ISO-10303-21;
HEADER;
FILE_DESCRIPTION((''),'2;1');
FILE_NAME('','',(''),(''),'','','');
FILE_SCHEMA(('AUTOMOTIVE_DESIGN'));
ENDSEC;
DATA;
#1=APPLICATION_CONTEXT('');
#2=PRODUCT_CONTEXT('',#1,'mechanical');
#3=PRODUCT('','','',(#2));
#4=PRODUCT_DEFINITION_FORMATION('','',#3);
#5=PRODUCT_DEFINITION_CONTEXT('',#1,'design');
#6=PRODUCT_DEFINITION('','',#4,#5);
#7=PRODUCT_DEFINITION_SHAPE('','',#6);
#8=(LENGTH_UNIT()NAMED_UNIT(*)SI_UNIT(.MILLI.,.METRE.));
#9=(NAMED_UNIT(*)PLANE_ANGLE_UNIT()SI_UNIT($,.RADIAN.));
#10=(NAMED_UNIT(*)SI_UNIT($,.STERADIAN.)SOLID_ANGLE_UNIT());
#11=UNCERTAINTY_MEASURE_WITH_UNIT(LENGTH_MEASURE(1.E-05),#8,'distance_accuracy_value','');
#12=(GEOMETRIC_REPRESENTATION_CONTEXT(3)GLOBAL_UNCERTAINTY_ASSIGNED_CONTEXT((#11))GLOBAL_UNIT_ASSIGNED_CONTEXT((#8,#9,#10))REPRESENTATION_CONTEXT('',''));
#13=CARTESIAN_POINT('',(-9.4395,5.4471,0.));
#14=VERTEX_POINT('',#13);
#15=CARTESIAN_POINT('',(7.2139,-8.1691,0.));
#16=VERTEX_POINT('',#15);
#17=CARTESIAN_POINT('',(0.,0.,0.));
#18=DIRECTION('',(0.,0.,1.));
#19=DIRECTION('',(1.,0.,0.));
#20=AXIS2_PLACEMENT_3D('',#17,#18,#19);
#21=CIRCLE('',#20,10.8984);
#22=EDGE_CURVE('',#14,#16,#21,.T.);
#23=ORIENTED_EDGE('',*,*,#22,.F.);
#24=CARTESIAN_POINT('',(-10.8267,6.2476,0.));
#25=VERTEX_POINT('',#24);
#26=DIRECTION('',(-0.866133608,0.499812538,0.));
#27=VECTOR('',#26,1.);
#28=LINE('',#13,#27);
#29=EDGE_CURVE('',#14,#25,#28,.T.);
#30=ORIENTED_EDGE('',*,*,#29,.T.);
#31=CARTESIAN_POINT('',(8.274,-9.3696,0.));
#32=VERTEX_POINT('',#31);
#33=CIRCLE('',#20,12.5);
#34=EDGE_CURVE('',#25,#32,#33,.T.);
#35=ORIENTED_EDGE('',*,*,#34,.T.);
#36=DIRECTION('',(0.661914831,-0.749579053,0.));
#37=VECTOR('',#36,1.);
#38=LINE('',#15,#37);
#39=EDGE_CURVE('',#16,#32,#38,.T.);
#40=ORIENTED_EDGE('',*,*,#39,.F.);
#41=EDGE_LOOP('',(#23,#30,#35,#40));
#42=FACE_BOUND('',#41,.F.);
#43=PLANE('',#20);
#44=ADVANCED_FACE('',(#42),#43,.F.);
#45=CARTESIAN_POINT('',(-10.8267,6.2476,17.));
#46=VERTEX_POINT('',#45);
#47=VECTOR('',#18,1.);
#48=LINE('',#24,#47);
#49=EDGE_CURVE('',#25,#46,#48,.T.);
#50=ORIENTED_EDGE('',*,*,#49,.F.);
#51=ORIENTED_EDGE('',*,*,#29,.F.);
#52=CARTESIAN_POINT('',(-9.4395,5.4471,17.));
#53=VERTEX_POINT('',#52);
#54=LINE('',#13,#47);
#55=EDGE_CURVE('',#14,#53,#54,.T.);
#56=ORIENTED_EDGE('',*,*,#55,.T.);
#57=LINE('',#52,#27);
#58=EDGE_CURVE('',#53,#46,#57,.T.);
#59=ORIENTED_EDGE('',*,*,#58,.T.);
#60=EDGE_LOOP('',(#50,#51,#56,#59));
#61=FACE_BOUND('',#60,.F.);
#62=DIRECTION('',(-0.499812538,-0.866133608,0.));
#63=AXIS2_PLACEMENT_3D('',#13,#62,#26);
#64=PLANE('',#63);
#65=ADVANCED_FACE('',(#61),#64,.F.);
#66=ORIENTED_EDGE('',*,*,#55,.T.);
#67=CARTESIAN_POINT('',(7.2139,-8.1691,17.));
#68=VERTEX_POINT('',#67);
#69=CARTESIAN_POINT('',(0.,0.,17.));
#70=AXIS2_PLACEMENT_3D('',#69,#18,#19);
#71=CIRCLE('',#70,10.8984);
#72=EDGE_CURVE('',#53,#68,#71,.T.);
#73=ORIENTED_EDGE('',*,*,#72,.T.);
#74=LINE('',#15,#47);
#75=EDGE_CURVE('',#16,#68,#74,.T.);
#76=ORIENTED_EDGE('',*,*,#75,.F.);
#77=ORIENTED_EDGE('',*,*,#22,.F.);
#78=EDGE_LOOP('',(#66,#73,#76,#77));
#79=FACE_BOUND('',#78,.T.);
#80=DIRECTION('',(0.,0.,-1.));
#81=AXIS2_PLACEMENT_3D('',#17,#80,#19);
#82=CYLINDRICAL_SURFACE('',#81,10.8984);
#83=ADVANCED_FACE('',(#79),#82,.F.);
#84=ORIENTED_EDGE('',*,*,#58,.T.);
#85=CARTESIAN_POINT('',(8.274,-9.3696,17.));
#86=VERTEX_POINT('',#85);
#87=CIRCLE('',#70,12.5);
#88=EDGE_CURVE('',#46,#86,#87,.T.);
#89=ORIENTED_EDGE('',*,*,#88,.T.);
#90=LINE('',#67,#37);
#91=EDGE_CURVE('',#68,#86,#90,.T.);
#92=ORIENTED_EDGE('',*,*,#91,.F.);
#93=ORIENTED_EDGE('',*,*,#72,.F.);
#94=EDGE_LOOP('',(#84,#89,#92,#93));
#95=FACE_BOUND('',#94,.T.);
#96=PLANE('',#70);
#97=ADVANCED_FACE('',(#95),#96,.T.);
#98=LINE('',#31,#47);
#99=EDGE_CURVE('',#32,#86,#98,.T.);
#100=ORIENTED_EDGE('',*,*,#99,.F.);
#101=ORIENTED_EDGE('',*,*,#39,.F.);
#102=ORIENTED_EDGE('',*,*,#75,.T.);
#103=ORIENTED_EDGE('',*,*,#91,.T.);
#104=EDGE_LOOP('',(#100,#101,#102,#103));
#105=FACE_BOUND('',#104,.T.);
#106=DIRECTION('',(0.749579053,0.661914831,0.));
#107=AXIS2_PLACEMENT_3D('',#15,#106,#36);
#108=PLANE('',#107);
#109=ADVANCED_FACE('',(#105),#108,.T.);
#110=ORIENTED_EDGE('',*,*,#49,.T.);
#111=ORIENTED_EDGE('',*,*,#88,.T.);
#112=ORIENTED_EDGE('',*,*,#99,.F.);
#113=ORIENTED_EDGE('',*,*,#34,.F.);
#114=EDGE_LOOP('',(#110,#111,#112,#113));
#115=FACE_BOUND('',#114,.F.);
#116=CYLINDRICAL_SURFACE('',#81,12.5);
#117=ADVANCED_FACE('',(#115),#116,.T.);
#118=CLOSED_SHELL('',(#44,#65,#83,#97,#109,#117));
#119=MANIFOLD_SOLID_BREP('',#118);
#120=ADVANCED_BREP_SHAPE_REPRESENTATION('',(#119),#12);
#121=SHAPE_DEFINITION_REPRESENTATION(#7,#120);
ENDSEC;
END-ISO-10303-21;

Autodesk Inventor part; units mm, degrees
ref_plane "YZ Plane" through (0, 0, 0) normal (1, 0, 0) x (0, 1, 0)
ref_plane "XZ Plane" through (0, 0, 0) normal (0, 1, 0) x (-1, 0, 0)
ref_plane "XY Plane" through (0, 0, 0) normal (0, 0, 1) x (1, 0, 0)
sketch "Sketch1" plane through (0, 0, 0) normal (0, 0, 1) x (1, 0, 0)
  circle A0 centre (0, 0) radius 12.5
  circle A1 centre (0, 0) radius 10.8984
  line L0 (-9.4395, 5.4471) -> (-10.8267, 6.2476)
  line L1 (7.2139, -8.1691) -> (8.274, -9.3696)
  line L2 (0, 0) -> (-9.4395, 5.4471) construction
  line L3 (0, 0) -> (7.2139, -8.1691) construction
  dimension "d0" = 25
extrude "Extrusion1" add sketch "Sketch1" along normal blind 17 contours L0 A1 L1 A0 picked at (-10.7498, 5.084)
properties part number "WeldExer_Guard_Plate"
